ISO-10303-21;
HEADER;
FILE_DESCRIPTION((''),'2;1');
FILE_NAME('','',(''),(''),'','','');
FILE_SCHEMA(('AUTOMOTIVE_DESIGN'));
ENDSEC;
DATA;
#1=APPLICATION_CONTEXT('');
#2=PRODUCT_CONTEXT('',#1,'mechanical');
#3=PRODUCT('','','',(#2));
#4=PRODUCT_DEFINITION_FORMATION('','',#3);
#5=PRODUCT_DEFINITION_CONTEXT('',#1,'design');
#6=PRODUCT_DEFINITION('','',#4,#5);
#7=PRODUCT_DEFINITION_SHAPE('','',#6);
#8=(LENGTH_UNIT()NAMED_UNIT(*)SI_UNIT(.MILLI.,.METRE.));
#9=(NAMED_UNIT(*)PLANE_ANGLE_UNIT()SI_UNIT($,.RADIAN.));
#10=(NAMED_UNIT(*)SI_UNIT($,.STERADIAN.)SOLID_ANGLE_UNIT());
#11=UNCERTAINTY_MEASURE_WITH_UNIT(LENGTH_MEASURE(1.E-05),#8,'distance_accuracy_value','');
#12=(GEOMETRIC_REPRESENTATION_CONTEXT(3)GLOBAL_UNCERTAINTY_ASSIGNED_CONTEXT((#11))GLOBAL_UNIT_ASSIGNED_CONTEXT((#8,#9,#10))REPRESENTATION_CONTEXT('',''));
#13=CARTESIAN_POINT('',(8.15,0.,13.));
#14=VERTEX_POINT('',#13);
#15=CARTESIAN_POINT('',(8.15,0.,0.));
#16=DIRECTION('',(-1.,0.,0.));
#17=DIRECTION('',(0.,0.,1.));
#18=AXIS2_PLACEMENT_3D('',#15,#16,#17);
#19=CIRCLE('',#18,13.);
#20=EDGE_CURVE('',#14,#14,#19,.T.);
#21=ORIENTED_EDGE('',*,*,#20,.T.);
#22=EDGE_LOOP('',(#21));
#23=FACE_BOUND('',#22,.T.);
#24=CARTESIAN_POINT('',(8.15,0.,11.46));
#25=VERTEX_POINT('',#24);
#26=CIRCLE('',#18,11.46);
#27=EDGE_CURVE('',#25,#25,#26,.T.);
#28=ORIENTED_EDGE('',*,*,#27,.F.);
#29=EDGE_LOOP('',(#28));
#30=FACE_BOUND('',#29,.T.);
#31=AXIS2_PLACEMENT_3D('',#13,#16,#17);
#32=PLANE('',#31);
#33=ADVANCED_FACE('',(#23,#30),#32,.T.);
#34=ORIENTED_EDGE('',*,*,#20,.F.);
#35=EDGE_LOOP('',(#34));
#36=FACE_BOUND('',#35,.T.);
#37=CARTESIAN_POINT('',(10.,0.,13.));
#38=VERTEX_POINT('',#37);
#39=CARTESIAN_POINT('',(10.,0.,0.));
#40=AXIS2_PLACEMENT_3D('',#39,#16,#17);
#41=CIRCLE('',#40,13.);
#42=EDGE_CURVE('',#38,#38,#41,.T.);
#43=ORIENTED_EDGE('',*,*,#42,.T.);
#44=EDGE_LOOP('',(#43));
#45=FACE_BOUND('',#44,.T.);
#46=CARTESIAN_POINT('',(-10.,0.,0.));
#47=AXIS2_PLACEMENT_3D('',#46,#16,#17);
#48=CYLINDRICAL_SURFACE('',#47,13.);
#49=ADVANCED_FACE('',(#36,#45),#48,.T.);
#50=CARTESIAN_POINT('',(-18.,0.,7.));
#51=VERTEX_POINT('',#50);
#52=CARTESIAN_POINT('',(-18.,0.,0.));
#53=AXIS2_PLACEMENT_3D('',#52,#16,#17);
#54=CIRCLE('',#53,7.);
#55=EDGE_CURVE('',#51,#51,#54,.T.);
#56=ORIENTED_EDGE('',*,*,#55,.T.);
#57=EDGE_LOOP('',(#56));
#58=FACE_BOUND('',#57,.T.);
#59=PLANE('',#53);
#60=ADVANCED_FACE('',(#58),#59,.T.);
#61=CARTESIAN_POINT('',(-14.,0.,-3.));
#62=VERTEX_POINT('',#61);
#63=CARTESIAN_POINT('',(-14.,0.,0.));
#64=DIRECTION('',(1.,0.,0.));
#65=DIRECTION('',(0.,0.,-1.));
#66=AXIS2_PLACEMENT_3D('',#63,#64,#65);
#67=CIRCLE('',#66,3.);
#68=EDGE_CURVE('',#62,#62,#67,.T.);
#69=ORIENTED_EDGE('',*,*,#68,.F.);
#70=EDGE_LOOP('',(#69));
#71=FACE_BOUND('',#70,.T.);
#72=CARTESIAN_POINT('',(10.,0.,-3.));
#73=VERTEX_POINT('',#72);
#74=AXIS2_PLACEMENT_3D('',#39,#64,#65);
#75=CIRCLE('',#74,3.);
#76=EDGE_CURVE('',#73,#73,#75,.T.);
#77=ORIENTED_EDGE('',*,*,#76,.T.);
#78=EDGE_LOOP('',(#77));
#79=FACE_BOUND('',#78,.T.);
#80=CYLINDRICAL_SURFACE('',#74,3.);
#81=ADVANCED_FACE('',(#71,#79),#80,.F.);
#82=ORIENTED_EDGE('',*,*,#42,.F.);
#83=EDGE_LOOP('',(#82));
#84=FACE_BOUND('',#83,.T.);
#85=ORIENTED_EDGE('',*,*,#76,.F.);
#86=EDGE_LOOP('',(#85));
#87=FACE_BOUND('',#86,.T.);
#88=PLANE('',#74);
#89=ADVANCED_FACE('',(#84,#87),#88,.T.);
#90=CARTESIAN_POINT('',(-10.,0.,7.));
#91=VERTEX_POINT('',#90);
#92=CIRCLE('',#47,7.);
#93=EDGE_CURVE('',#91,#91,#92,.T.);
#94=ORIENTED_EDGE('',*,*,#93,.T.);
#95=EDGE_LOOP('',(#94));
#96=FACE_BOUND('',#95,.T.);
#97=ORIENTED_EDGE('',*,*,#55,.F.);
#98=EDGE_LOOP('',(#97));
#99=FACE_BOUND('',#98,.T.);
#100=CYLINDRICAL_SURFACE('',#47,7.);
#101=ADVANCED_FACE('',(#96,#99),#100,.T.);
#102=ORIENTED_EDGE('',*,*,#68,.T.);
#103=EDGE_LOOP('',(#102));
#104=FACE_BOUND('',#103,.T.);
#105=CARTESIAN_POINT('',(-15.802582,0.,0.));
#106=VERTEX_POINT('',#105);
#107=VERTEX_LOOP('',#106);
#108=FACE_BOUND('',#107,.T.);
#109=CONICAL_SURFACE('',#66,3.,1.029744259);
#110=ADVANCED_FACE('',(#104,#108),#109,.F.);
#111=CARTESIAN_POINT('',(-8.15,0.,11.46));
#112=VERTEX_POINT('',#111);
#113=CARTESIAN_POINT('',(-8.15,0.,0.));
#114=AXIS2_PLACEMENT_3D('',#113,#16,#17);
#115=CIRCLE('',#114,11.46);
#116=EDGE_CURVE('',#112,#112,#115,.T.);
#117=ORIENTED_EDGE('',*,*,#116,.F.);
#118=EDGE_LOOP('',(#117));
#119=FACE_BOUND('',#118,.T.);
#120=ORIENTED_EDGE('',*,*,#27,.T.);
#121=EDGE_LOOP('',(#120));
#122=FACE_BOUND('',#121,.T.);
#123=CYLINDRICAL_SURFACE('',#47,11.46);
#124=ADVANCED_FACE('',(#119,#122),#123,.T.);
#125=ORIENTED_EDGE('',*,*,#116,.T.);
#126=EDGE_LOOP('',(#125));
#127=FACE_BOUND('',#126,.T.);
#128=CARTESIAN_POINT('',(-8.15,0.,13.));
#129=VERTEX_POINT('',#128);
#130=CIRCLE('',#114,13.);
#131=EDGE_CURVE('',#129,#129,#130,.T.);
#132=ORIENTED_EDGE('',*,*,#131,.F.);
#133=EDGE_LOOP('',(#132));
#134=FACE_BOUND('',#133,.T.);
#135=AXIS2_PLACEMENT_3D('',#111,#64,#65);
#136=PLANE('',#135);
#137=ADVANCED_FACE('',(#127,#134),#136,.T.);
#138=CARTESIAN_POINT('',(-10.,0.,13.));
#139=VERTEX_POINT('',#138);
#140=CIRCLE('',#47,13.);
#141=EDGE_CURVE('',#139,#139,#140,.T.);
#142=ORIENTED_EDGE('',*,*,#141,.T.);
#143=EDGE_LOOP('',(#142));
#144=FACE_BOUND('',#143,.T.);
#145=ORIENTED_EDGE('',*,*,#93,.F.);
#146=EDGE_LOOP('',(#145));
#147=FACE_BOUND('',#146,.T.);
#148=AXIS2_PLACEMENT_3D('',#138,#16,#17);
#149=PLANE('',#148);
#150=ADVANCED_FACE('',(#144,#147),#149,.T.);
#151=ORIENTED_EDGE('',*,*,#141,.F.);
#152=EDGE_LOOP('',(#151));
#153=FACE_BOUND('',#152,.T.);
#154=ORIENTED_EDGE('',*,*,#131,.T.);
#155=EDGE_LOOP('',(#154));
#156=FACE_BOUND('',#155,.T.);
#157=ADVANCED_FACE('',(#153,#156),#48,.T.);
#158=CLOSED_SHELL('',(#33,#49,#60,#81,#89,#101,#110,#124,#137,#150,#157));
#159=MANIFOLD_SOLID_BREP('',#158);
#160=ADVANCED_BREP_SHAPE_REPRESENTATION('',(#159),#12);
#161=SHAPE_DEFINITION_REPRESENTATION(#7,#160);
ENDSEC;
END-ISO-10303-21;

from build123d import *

# Parameters (mm, degrees)
F_6_0_6_DIAMETER_HOLE2_D     = 6
F_6_0_6_DIAMETER_HOLE2_DEPTH = 24
F_6_0_6_DIAMETER_HOLE2_TIP   = 1.802581857


with BuildPart() as part:
    # Sketch1 → Revolve1 (revolve)
    with BuildSketch(Plane(origin=(0, 0, 0), x_dir=(1, 0, 0), z_dir=(0, 1, 0))):
        Polygon((0, -11.46), (-8.15, -11.46), (-8.15, -13), (-10, -13), (-10, -7), (-18, -7), (-18, 0), (-10, 0), (10, 0), (10, -13), (8.15, -13), (8.15, -11.46), align=None)
    revolve(axis=Axis((-10, 0, 0), (1, 0, 0)))

    # Ø6.0 (6) Diameter Hole2
    with Locations(Plane(origin=(10, 0, 0), x_dir=(0, 0, -1), z_dir=(1, 0, 0))):
        with Locations((0, 0)):
            Hole(F_6_0_6_DIAMETER_HOLE2_D / 2, depth=F_6_0_6_DIAMETER_HOLE2_DEPTH)
            with Locations((0, 0, -(F_6_0_6_DIAMETER_HOLE2_DEPTH + F_6_0_6_DIAMETER_HOLE2_TIP / 2))):  # 118° drill point
                Cone(0, F_6_0_6_DIAMETER_HOLE2_D / 2, F_6_0_6_DIAMETER_HOLE2_TIP, mode=Mode.SUBTRACT)


solid = part.part
